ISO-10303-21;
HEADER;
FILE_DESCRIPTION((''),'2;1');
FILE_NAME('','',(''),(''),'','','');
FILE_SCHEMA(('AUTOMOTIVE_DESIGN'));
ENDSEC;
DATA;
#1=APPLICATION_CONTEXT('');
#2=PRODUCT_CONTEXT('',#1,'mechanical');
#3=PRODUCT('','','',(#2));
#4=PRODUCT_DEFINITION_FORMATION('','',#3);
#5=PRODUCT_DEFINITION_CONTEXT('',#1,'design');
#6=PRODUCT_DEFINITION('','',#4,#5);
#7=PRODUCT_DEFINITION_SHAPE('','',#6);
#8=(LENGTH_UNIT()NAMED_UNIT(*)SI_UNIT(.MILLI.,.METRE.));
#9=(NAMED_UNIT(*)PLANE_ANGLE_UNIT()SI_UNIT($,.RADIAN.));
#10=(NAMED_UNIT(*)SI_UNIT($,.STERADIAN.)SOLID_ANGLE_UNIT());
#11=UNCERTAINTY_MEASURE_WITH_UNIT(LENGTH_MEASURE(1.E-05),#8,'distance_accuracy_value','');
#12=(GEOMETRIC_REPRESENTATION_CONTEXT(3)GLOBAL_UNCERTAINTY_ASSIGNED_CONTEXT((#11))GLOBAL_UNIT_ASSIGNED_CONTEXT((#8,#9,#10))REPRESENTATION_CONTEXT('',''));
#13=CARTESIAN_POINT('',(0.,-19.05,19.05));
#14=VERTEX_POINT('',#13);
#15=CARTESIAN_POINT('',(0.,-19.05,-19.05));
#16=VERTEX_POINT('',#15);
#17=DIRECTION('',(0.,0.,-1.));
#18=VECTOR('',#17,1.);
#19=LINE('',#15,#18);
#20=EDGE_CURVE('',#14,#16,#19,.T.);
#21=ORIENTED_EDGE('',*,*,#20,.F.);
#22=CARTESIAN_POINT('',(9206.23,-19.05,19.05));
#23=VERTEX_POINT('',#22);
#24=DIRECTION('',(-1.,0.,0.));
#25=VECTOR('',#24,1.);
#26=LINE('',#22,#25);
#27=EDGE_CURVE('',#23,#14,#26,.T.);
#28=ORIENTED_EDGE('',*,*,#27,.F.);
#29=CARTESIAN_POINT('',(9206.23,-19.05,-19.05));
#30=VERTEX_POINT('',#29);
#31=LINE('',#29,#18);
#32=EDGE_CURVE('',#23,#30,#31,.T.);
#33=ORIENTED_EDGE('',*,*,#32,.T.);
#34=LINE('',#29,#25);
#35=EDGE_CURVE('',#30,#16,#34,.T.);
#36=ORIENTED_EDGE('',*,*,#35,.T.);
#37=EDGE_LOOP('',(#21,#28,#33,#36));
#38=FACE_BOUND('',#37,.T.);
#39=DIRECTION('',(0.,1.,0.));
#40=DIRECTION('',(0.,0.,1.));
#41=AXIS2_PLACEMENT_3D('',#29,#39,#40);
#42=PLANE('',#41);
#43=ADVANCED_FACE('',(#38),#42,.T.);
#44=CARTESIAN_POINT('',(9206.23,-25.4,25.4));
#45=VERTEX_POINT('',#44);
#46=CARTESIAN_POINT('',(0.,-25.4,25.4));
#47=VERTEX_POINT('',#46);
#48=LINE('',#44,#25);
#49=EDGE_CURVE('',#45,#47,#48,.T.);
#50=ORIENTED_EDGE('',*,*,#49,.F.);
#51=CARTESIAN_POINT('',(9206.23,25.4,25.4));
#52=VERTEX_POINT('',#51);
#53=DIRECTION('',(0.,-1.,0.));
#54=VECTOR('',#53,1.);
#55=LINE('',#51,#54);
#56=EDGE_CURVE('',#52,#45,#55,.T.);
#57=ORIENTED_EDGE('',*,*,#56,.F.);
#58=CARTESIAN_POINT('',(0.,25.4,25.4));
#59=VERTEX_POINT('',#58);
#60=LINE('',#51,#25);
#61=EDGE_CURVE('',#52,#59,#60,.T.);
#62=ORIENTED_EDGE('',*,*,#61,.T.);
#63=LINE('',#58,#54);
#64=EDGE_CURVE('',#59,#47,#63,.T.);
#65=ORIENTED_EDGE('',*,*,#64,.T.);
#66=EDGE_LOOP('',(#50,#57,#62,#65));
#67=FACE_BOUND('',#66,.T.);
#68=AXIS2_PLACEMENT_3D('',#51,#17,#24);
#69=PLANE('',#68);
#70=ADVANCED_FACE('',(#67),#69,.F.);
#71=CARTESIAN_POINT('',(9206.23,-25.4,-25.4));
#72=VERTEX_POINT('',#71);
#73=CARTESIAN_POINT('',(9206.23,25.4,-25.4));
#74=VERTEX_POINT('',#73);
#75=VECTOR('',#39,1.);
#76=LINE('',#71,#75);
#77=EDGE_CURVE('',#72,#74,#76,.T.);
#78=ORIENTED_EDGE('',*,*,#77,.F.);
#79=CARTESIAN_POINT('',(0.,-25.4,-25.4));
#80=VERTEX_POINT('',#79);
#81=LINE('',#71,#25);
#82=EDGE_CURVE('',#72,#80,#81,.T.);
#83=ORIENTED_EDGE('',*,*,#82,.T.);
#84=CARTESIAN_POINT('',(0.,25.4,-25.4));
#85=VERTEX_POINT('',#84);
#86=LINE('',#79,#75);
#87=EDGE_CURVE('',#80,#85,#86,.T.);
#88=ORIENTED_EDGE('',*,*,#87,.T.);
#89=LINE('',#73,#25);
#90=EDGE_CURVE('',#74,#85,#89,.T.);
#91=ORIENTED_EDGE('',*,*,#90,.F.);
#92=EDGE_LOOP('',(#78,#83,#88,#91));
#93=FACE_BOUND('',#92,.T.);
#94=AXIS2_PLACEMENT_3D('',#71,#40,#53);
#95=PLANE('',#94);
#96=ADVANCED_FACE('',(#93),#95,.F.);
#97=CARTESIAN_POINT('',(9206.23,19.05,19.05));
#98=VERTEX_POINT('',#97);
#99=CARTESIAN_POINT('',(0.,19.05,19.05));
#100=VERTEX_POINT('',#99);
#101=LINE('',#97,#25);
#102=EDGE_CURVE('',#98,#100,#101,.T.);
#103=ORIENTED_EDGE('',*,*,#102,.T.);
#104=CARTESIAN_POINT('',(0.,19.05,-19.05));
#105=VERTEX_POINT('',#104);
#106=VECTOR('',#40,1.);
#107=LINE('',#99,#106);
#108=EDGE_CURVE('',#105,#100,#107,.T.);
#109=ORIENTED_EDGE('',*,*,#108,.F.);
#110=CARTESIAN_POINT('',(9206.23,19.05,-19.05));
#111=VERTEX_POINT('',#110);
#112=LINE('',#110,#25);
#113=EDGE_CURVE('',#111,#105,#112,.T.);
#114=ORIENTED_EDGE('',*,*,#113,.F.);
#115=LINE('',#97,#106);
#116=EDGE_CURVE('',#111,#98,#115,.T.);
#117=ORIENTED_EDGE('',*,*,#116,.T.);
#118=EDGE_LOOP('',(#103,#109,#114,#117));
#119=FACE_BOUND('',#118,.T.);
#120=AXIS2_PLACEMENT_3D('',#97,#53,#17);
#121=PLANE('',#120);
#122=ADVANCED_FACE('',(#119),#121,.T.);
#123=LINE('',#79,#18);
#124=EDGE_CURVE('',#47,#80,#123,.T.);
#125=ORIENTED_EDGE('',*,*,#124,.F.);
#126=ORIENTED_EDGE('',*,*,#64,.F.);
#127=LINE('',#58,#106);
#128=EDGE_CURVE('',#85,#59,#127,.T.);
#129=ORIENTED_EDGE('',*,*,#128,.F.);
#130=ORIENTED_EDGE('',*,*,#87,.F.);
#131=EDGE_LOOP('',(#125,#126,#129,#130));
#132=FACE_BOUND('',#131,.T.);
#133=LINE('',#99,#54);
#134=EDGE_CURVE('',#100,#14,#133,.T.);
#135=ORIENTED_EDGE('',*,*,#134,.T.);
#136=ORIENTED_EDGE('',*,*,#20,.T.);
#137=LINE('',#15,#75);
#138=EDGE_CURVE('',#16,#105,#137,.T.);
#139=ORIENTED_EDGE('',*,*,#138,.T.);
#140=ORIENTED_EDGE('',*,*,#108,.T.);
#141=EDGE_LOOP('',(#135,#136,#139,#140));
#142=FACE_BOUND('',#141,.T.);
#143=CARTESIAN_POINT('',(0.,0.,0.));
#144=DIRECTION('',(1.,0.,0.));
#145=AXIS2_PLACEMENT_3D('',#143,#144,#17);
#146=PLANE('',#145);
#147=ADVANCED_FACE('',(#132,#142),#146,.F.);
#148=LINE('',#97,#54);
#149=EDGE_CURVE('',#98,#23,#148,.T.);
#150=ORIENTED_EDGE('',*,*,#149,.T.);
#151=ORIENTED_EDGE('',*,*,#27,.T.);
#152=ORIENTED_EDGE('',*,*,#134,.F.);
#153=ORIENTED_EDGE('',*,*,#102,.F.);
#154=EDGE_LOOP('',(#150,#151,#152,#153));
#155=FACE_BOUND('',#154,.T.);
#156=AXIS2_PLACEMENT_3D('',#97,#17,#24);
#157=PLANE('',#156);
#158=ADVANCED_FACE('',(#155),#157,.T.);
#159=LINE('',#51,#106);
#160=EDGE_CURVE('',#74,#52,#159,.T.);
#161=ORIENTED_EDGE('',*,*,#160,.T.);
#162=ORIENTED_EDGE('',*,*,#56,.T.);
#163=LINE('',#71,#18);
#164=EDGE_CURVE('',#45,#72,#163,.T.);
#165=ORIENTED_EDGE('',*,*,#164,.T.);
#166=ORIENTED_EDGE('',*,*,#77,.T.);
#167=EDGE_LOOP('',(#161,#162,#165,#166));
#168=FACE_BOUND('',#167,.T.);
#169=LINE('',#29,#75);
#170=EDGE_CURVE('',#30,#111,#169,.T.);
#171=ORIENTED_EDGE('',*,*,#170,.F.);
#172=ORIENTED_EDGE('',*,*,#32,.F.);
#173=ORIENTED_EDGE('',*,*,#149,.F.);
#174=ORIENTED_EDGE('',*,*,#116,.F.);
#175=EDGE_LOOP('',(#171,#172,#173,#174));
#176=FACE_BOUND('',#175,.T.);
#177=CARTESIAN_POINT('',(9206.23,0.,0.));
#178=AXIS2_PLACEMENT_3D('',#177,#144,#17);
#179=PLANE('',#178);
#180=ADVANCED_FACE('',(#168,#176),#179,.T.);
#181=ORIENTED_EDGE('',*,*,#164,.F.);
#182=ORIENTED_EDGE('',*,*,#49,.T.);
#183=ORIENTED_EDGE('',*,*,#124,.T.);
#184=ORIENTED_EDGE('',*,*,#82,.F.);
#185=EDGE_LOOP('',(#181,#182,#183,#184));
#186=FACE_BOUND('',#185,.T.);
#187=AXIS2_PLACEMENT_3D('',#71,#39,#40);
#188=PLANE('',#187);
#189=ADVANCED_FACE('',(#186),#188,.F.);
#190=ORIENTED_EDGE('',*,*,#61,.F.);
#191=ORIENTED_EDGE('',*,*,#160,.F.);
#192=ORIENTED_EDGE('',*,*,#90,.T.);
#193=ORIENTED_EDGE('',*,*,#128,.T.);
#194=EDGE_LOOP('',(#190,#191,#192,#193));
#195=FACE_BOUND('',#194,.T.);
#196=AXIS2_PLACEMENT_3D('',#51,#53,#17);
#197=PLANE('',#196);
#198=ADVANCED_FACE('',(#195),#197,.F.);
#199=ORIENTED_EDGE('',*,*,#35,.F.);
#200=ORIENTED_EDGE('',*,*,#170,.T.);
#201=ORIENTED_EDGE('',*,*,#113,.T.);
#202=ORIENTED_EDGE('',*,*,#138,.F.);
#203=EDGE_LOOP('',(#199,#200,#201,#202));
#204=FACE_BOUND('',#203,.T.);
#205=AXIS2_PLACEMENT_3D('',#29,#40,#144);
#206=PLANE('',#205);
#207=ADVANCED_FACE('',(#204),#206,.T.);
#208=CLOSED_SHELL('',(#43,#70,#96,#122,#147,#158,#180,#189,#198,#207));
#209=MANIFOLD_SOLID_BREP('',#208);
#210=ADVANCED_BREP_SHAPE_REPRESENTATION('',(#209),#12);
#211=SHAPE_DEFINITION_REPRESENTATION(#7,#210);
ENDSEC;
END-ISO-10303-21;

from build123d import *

# Parameters (mm, degrees)
SKETCH1_W                                      = 50.8
SKETCH1_H                                      = 50.8
SKETCH1_W_2                                    = 38.1
SKETCH1_H_2                                    = 38.1
AL_TUBE_SQUARE_AL_TUBE_2_SQR_X_0_25_WALL_DEPTH = 9206.23


with BuildPart() as part:
    # Sketch1 → Al tube square AL TUBE 2 SQR X 0.25 WALL(1) (new body)
    with BuildSketch(Plane.YZ):
        Rectangle(SKETCH1_W, SKETCH1_H)
        Rectangle(SKETCH1_W_2, SKETCH1_H_2, mode=Mode.SUBTRACT)
    extrude(amount=AL_TUBE_SQUARE_AL_TUBE_2_SQR_X_0_25_WALL_DEPTH)


solid = part.part
